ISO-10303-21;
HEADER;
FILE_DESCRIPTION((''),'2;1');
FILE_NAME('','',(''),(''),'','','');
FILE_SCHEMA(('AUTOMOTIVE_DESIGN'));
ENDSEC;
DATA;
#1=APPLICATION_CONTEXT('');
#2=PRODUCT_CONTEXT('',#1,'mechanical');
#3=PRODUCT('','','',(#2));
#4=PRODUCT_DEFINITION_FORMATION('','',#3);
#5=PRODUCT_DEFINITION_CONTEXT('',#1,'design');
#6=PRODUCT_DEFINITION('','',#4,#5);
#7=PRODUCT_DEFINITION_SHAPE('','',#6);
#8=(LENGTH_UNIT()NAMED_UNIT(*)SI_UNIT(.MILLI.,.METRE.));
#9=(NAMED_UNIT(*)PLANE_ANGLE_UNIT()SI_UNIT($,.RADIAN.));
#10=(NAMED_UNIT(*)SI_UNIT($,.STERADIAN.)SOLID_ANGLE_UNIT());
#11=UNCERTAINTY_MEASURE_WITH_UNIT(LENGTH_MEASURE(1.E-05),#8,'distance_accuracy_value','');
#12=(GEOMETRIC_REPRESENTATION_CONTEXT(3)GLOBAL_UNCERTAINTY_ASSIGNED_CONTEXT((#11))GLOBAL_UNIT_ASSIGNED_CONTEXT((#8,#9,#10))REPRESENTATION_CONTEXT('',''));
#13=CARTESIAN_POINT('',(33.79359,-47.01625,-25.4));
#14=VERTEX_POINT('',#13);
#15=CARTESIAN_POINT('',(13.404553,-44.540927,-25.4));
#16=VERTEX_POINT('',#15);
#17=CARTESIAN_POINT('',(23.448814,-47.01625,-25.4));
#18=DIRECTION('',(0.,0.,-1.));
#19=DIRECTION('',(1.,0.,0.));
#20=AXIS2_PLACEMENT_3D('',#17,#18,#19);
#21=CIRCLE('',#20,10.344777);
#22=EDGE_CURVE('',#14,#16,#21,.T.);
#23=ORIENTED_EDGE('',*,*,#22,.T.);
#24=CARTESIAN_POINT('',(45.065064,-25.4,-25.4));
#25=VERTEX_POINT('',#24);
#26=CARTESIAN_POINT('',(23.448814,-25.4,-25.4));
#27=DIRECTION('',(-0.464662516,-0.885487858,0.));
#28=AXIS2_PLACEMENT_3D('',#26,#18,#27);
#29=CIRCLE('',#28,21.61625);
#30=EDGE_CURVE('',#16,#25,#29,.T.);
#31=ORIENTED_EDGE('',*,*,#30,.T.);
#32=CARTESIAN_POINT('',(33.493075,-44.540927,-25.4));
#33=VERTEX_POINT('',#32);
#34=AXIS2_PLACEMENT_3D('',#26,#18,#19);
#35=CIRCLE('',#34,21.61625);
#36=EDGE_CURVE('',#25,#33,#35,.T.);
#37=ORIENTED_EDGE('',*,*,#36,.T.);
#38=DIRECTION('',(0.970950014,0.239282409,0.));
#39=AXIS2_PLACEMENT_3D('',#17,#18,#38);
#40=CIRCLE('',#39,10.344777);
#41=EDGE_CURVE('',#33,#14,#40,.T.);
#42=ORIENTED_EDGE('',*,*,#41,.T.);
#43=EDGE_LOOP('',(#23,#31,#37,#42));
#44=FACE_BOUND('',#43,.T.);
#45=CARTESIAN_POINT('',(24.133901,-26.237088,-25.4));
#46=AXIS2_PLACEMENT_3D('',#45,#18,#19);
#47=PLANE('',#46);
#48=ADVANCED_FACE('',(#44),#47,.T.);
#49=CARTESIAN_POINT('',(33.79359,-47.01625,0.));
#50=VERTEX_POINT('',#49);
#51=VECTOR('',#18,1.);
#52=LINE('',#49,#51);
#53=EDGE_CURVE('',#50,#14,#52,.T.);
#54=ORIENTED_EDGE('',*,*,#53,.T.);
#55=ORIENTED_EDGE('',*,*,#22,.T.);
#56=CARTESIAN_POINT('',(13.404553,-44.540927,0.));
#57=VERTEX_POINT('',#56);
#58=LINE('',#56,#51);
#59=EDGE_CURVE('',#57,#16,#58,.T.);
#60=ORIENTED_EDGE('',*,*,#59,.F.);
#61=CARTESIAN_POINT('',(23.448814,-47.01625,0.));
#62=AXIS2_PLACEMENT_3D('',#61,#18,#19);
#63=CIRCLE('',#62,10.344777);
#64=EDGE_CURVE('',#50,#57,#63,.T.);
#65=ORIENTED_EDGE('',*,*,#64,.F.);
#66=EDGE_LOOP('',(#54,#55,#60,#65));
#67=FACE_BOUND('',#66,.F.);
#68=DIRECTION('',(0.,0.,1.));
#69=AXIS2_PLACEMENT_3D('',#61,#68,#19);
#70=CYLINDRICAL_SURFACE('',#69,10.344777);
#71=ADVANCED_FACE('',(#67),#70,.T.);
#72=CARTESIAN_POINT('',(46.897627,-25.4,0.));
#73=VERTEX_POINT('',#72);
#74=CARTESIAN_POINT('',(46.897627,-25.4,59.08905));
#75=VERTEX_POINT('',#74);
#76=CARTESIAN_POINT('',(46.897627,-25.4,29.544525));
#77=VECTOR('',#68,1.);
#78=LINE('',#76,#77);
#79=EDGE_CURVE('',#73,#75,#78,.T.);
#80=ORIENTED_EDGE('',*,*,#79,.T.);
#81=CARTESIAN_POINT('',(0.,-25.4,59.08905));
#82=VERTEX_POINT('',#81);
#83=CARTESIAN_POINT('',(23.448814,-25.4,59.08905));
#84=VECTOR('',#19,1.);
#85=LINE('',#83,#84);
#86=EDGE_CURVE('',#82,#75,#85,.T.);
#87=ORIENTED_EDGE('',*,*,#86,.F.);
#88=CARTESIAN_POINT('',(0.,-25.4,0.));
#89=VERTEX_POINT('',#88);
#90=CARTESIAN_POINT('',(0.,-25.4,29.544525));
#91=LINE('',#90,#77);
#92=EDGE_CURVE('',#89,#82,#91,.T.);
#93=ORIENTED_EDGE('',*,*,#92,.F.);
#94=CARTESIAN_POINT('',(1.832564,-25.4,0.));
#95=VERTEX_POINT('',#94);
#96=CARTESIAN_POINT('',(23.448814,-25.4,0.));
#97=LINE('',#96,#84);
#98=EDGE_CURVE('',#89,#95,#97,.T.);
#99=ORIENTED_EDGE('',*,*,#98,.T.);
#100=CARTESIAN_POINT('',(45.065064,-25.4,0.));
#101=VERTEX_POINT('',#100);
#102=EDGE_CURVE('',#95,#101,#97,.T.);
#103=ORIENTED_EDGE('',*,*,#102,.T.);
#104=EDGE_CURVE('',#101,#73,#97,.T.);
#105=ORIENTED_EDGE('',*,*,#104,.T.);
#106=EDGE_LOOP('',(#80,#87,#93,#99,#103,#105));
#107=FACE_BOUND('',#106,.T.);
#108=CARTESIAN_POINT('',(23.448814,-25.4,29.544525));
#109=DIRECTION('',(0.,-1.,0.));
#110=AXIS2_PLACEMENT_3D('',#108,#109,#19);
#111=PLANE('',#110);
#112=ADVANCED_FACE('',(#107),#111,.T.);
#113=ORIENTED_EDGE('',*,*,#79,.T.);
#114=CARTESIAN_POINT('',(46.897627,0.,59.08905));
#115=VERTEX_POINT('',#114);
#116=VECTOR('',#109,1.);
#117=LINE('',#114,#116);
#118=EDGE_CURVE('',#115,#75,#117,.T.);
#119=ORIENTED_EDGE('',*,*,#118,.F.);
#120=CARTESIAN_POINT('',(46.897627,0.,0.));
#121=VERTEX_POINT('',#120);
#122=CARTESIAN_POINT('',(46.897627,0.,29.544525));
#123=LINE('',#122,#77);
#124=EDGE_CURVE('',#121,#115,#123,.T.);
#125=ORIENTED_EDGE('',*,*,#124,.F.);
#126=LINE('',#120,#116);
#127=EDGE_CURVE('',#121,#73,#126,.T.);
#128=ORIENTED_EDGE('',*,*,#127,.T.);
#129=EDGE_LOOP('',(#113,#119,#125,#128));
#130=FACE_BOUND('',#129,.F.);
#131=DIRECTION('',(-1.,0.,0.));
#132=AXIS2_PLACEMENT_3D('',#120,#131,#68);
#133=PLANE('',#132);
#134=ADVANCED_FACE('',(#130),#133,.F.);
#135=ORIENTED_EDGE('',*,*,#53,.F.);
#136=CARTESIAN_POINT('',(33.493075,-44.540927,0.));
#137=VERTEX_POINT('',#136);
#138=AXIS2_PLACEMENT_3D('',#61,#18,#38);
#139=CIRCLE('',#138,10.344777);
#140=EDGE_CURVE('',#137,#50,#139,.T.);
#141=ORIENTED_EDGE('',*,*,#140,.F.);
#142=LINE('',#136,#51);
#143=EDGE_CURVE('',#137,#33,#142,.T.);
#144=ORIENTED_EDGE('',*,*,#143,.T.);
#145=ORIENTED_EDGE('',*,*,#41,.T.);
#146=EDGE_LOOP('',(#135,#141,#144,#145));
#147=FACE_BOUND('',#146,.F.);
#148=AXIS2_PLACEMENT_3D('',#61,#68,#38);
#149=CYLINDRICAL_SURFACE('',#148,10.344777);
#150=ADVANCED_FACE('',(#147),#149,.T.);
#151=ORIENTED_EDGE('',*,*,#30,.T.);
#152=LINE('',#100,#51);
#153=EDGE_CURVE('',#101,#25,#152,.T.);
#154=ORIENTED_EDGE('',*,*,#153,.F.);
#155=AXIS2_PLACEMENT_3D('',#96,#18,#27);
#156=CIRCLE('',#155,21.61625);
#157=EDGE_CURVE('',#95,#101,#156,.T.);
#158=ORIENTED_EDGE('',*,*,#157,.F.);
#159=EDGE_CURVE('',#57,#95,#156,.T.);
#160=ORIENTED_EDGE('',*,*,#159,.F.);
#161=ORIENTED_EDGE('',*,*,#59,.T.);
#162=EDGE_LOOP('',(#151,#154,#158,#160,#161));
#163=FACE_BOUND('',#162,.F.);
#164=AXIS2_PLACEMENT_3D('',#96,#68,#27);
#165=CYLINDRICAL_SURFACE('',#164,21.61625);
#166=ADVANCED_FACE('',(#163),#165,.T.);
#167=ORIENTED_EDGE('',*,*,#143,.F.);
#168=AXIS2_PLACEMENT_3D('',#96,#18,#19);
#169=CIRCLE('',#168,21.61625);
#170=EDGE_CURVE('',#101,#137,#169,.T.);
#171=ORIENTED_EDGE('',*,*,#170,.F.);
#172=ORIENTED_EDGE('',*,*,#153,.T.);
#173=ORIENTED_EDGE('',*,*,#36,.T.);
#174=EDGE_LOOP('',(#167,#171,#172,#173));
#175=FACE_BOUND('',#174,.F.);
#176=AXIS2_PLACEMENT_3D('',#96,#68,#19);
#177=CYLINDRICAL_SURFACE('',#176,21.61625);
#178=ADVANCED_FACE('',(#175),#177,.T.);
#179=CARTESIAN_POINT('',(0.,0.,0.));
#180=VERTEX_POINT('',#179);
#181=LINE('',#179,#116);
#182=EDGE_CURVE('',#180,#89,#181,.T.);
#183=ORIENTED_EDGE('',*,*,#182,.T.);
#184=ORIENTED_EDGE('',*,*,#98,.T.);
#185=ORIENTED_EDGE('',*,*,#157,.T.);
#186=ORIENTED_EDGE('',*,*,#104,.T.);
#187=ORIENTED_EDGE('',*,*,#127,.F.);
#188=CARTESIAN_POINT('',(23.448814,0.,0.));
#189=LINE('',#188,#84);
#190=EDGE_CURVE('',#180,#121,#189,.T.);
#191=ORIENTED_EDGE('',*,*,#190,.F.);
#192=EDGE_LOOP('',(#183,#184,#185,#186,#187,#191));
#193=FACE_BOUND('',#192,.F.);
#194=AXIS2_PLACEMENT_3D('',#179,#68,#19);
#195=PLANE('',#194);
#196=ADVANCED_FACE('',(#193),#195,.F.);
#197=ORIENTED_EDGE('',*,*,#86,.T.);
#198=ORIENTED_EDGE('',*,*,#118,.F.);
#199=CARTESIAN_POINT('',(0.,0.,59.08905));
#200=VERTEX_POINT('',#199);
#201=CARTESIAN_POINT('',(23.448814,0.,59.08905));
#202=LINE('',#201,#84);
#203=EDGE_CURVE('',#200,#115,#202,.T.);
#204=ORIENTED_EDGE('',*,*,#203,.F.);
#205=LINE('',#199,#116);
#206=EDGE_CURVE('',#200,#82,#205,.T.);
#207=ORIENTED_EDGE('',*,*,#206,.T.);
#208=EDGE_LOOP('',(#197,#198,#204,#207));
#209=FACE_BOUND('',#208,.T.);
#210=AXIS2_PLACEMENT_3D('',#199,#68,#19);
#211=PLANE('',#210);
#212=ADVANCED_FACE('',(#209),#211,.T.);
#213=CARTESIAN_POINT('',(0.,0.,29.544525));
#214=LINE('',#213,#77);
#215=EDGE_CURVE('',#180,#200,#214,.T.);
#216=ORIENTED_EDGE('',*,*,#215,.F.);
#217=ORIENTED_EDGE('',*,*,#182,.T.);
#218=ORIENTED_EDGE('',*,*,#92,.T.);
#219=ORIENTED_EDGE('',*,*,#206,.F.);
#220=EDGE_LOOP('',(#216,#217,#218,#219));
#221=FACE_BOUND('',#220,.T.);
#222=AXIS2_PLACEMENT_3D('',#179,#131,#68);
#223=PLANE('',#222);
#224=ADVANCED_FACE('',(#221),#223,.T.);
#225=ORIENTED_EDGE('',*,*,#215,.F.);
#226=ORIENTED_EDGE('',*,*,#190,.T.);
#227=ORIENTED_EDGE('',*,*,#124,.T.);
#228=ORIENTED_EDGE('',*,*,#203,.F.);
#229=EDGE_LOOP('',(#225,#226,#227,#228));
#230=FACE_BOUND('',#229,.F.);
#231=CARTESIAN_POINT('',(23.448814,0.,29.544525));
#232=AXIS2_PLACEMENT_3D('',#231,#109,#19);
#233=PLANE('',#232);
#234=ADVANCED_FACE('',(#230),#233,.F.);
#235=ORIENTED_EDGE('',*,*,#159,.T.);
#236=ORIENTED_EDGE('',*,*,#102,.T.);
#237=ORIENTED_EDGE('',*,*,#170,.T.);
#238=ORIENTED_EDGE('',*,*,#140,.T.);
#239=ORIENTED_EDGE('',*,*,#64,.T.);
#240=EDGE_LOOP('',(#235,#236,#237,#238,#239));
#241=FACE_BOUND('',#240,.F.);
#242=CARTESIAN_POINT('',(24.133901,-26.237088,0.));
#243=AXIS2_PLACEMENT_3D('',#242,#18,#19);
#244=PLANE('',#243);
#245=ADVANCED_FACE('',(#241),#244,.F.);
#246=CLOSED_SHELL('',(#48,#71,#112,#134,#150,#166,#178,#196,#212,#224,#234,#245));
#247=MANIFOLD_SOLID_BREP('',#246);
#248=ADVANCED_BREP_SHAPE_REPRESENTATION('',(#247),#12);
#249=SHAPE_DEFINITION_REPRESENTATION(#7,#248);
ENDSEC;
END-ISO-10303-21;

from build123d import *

# Parameters (mm, degrees)
F0_W     = 46.8976274133
F0_H     = 59.0890496969
F1_DEPTH = 25.4
F3_DEPTH = 25.4


with BuildPart() as f1:
    # F0 (on Front) → F1 (new body)
    with BuildSketch(Plane.XZ):
        with Locations((23.4488137066, 29.5445248485)):
            Rectangle(F0_W, F0_H)
    extrude(amount=F1_DEPTH)

    # F2 (on face) → F3 (join)
    with BuildSketch(Plane(origin=(0, 0, 0), x_dir=(1, 0, 0), z_dir=(0, 0, -1))):
        with BuildLine():
            ThreePointArc((13.4045526503, 44.5409267939), (12.2652766569, 6.901601211), (45.0650635825, 25.4))
            ThreePointArc((45.0650635825, 25.4), (41.9472124956, 36.5835370497), (33.493074763, 44.5409267939))
            ThreePointArc((33.493074763, 44.5409267939), (23.4488137066, 36.6714731974), (13.4045526503, 44.5409267939))
        make_face()
        with BuildLine():
            ThreePointArc((13.4045526503, 44.5409267939), (23.4488137066, 36.6714731974), (33.493074763, 44.5409267939))
            ThreePointArc((33.493074763, 44.5409267939), (23.4488137066, 47.0162498759), (13.4045526503, 44.5409267939))
        make_face()
        with BuildLine():
            ThreePointArc((13.4045526503, 44.5409267939), (23.4488137066, 47.0162498759), (33.493074763, 44.5409267939))
            ThreePointArc((33.493074763, 44.5409267939), (33.7181866684, 45.7695007031), (33.7935903851, 47.0162498759))
            ThreePointArc((33.7935903851, 47.0162498759), (22.2020645338, 57.2856228377), (13.4045526503, 44.5409267939))
        make_face()
    extrude(amount=F3_DEPTH)


solid = f1.part
